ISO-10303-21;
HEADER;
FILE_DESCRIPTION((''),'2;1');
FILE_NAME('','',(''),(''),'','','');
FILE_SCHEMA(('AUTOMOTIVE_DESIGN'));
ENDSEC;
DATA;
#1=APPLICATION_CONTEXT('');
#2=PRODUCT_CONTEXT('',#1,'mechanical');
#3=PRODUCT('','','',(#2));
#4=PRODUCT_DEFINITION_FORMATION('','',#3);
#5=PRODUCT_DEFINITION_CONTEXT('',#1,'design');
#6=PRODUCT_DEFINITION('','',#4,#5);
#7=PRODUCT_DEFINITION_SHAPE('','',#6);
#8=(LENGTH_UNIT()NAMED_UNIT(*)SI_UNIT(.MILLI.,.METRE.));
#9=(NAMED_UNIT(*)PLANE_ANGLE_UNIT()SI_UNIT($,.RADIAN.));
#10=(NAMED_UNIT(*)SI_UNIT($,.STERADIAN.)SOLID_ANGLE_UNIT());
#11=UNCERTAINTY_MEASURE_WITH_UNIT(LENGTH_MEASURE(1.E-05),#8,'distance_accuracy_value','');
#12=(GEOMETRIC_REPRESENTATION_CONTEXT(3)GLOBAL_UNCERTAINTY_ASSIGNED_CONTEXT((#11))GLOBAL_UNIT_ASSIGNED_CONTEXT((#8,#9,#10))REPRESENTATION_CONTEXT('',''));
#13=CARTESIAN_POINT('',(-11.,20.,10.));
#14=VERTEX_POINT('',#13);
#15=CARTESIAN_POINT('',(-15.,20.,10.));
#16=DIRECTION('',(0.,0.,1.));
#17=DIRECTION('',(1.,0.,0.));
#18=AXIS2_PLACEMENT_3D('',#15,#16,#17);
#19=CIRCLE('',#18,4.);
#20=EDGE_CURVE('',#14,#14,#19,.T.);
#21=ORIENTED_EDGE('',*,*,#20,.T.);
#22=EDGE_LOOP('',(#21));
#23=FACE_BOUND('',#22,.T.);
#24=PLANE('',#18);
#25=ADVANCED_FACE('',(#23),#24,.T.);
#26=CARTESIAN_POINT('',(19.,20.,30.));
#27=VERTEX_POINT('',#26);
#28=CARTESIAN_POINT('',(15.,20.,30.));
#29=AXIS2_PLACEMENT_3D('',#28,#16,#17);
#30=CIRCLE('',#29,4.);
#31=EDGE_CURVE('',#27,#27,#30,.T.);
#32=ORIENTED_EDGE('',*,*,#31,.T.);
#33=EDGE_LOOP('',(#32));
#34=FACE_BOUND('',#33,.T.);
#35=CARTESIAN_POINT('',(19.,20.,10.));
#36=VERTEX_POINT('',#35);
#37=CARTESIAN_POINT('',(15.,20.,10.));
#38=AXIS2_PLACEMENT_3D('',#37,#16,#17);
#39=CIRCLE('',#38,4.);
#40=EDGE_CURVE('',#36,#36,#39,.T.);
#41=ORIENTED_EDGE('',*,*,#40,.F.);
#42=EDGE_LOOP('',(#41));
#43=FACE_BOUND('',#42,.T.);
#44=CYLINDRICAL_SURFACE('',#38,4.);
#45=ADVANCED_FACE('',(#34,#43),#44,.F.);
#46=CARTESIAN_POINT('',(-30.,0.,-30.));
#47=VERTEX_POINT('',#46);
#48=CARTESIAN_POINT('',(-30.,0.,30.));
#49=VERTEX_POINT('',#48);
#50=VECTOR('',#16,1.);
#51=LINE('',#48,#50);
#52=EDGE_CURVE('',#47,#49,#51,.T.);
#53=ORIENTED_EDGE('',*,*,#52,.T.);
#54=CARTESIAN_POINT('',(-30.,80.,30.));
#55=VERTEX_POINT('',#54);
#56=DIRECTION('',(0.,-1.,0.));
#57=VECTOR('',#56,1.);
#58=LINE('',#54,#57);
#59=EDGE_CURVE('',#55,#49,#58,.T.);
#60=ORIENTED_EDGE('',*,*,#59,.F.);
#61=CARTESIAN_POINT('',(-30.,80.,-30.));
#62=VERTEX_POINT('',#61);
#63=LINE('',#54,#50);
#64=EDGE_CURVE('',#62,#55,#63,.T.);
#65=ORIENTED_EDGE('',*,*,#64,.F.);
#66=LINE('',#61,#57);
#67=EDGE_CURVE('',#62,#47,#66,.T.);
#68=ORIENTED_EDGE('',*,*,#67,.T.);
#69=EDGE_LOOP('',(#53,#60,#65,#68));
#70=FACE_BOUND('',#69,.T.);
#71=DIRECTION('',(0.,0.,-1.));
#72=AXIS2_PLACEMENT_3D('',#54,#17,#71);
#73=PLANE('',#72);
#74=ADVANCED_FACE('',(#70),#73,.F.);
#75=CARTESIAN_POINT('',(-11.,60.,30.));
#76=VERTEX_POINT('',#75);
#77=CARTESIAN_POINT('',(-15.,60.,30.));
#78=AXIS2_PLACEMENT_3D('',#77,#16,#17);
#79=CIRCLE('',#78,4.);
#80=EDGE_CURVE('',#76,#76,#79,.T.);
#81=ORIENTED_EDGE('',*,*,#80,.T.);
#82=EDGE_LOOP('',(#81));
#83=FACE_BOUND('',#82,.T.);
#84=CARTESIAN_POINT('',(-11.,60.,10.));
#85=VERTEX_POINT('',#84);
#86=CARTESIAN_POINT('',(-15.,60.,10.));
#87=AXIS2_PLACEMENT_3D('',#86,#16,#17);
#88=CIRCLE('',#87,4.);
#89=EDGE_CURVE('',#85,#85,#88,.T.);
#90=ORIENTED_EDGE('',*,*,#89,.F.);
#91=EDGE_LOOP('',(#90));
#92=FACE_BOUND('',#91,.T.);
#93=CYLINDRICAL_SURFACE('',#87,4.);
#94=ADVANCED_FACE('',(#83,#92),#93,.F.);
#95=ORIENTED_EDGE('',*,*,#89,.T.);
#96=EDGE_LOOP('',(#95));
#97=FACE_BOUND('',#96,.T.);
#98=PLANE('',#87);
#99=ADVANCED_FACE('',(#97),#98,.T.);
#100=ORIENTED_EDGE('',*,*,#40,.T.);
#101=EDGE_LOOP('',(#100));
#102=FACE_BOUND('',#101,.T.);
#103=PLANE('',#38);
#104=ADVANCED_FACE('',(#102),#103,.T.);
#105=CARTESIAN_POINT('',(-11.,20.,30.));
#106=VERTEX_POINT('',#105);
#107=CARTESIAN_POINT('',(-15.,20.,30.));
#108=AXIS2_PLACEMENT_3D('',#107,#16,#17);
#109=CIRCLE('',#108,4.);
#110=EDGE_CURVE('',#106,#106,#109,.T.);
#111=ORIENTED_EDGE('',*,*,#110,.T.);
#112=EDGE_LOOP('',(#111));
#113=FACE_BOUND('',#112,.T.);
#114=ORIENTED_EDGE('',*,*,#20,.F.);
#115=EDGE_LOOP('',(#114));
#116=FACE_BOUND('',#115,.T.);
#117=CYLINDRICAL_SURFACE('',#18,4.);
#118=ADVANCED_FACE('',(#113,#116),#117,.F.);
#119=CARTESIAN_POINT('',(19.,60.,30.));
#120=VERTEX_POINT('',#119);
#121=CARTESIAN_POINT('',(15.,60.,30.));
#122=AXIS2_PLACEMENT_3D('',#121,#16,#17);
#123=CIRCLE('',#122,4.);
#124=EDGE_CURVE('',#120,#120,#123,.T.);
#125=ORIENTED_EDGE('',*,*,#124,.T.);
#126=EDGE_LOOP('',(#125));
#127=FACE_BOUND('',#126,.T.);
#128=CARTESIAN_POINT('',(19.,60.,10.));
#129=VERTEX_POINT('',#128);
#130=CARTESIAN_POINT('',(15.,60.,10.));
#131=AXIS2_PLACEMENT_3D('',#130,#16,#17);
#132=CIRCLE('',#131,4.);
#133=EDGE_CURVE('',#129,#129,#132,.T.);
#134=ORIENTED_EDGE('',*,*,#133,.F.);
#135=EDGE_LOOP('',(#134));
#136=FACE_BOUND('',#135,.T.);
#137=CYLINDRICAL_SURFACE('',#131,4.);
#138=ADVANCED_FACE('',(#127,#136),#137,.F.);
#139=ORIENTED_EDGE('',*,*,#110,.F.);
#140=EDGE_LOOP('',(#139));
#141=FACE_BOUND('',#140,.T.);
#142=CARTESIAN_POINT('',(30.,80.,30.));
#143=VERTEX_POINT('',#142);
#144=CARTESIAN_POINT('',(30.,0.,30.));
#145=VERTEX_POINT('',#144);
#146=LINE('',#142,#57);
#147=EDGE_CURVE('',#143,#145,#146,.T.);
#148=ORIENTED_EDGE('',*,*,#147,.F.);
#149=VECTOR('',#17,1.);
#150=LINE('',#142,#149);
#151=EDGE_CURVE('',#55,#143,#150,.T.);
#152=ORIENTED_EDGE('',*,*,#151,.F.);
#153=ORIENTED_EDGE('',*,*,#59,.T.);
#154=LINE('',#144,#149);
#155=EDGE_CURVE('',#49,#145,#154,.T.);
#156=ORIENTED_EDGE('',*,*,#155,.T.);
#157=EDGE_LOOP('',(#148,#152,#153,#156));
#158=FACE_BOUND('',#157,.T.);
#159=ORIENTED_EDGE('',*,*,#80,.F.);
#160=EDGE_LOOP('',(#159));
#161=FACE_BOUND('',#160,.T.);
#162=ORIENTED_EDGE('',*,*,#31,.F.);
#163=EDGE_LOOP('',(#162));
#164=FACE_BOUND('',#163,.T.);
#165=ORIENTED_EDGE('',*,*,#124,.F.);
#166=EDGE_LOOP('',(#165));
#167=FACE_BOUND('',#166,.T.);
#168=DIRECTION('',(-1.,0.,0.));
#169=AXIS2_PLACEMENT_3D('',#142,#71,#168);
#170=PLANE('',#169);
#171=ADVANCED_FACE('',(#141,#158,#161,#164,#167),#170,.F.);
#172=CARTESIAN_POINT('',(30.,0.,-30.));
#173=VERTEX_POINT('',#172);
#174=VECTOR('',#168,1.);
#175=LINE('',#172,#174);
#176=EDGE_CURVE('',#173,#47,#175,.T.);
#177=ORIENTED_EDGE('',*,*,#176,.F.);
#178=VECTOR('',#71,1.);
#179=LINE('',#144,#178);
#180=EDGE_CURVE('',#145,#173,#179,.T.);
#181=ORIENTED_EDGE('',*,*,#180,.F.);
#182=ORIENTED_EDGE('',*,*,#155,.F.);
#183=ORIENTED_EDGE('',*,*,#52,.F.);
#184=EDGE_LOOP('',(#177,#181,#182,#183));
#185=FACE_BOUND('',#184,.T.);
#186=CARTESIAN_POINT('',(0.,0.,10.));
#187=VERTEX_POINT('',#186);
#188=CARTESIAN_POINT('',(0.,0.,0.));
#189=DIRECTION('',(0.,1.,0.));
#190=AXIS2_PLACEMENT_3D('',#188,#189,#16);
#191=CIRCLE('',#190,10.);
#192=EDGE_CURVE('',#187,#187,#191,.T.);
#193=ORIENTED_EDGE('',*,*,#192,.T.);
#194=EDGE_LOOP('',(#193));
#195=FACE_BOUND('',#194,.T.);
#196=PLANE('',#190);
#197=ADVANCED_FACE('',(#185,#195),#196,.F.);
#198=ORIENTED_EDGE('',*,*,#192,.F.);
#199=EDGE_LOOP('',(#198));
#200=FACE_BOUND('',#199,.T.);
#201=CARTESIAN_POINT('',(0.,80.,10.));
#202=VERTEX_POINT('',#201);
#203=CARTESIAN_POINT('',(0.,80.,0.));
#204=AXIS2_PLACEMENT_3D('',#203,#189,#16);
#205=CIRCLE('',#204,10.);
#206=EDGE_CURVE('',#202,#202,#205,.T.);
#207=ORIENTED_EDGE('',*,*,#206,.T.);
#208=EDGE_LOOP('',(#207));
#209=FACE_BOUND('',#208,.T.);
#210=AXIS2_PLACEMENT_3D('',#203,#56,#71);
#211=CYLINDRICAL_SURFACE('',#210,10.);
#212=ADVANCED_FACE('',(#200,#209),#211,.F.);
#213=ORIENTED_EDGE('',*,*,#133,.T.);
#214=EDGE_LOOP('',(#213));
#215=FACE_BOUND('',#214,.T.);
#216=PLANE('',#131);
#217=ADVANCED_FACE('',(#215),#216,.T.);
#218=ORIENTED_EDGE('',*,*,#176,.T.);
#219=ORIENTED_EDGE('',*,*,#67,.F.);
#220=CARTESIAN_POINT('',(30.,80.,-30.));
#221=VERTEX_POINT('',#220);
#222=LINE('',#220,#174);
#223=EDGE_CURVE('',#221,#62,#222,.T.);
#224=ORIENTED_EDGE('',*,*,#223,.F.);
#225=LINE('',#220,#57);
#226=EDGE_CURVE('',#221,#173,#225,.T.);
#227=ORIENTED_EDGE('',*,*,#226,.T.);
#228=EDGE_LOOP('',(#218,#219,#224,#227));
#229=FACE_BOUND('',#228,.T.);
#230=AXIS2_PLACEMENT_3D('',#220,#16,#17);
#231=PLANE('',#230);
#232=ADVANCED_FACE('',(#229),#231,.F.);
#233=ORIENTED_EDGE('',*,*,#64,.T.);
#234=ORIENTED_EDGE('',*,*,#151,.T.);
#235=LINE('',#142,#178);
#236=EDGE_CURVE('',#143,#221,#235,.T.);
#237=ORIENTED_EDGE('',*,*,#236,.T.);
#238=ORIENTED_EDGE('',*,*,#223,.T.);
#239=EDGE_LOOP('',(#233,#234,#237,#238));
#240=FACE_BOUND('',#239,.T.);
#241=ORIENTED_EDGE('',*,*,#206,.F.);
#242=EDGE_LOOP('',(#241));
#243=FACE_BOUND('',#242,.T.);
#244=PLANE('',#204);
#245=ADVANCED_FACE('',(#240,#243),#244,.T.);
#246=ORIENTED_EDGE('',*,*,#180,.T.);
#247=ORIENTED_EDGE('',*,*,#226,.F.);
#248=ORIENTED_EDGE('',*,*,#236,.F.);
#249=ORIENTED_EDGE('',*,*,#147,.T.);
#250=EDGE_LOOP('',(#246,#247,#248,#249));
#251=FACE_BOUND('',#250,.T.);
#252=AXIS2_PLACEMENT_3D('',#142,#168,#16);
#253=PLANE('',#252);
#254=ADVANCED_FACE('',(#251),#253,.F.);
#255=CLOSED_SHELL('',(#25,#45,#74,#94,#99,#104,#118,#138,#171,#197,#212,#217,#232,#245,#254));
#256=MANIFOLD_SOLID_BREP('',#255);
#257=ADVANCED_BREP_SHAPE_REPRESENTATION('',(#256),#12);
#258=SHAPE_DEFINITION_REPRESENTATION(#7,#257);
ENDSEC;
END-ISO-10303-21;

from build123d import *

# Parameters (mm, degrees)
CROQUIS1_W              = 60
CROQUIS1_H              = 60
CROQUIS1_R              = 10
SALIENTE_EXTRUIR1_DEPTH = 80
CROQUIS2_R              = 4
CORTAR_EXTRUIR1_DEPTH   = 20


with BuildPart() as part:
    # Croquis1 → Saliente-Extruir1 (new body)
    with BuildSketch(Plane(origin=(0, 0, 0), x_dir=(1, 0, 0), z_dir=(0, 1, 0))):
        Rectangle(CROQUIS1_W, CROQUIS1_H)
        with Locations(Location((0, 0, 0), (0, 0, 270))):
            Circle(CROQUIS1_R, mode=Mode.SUBTRACT)
    extrude(amount=SALIENTE_EXTRUIR1_DEPTH)

    # Croquis2 → Cortar-Extruir1 (cut)
    with BuildSketch(Plane.XY.offset(30)):
        with Locations((-15, 60)):
            Circle(CROQUIS2_R)
        with Locations((15, 60)):
            Circle(CROQUIS2_R)
        with Locations((-15, 20)):
            Circle(CROQUIS2_R)
        with Locations((15, 20)):
            Circle(CROQUIS2_R)
    extrude(amount=-CORTAR_EXTRUIR1_DEPTH, mode=Mode.SUBTRACT)


solid = part.part
